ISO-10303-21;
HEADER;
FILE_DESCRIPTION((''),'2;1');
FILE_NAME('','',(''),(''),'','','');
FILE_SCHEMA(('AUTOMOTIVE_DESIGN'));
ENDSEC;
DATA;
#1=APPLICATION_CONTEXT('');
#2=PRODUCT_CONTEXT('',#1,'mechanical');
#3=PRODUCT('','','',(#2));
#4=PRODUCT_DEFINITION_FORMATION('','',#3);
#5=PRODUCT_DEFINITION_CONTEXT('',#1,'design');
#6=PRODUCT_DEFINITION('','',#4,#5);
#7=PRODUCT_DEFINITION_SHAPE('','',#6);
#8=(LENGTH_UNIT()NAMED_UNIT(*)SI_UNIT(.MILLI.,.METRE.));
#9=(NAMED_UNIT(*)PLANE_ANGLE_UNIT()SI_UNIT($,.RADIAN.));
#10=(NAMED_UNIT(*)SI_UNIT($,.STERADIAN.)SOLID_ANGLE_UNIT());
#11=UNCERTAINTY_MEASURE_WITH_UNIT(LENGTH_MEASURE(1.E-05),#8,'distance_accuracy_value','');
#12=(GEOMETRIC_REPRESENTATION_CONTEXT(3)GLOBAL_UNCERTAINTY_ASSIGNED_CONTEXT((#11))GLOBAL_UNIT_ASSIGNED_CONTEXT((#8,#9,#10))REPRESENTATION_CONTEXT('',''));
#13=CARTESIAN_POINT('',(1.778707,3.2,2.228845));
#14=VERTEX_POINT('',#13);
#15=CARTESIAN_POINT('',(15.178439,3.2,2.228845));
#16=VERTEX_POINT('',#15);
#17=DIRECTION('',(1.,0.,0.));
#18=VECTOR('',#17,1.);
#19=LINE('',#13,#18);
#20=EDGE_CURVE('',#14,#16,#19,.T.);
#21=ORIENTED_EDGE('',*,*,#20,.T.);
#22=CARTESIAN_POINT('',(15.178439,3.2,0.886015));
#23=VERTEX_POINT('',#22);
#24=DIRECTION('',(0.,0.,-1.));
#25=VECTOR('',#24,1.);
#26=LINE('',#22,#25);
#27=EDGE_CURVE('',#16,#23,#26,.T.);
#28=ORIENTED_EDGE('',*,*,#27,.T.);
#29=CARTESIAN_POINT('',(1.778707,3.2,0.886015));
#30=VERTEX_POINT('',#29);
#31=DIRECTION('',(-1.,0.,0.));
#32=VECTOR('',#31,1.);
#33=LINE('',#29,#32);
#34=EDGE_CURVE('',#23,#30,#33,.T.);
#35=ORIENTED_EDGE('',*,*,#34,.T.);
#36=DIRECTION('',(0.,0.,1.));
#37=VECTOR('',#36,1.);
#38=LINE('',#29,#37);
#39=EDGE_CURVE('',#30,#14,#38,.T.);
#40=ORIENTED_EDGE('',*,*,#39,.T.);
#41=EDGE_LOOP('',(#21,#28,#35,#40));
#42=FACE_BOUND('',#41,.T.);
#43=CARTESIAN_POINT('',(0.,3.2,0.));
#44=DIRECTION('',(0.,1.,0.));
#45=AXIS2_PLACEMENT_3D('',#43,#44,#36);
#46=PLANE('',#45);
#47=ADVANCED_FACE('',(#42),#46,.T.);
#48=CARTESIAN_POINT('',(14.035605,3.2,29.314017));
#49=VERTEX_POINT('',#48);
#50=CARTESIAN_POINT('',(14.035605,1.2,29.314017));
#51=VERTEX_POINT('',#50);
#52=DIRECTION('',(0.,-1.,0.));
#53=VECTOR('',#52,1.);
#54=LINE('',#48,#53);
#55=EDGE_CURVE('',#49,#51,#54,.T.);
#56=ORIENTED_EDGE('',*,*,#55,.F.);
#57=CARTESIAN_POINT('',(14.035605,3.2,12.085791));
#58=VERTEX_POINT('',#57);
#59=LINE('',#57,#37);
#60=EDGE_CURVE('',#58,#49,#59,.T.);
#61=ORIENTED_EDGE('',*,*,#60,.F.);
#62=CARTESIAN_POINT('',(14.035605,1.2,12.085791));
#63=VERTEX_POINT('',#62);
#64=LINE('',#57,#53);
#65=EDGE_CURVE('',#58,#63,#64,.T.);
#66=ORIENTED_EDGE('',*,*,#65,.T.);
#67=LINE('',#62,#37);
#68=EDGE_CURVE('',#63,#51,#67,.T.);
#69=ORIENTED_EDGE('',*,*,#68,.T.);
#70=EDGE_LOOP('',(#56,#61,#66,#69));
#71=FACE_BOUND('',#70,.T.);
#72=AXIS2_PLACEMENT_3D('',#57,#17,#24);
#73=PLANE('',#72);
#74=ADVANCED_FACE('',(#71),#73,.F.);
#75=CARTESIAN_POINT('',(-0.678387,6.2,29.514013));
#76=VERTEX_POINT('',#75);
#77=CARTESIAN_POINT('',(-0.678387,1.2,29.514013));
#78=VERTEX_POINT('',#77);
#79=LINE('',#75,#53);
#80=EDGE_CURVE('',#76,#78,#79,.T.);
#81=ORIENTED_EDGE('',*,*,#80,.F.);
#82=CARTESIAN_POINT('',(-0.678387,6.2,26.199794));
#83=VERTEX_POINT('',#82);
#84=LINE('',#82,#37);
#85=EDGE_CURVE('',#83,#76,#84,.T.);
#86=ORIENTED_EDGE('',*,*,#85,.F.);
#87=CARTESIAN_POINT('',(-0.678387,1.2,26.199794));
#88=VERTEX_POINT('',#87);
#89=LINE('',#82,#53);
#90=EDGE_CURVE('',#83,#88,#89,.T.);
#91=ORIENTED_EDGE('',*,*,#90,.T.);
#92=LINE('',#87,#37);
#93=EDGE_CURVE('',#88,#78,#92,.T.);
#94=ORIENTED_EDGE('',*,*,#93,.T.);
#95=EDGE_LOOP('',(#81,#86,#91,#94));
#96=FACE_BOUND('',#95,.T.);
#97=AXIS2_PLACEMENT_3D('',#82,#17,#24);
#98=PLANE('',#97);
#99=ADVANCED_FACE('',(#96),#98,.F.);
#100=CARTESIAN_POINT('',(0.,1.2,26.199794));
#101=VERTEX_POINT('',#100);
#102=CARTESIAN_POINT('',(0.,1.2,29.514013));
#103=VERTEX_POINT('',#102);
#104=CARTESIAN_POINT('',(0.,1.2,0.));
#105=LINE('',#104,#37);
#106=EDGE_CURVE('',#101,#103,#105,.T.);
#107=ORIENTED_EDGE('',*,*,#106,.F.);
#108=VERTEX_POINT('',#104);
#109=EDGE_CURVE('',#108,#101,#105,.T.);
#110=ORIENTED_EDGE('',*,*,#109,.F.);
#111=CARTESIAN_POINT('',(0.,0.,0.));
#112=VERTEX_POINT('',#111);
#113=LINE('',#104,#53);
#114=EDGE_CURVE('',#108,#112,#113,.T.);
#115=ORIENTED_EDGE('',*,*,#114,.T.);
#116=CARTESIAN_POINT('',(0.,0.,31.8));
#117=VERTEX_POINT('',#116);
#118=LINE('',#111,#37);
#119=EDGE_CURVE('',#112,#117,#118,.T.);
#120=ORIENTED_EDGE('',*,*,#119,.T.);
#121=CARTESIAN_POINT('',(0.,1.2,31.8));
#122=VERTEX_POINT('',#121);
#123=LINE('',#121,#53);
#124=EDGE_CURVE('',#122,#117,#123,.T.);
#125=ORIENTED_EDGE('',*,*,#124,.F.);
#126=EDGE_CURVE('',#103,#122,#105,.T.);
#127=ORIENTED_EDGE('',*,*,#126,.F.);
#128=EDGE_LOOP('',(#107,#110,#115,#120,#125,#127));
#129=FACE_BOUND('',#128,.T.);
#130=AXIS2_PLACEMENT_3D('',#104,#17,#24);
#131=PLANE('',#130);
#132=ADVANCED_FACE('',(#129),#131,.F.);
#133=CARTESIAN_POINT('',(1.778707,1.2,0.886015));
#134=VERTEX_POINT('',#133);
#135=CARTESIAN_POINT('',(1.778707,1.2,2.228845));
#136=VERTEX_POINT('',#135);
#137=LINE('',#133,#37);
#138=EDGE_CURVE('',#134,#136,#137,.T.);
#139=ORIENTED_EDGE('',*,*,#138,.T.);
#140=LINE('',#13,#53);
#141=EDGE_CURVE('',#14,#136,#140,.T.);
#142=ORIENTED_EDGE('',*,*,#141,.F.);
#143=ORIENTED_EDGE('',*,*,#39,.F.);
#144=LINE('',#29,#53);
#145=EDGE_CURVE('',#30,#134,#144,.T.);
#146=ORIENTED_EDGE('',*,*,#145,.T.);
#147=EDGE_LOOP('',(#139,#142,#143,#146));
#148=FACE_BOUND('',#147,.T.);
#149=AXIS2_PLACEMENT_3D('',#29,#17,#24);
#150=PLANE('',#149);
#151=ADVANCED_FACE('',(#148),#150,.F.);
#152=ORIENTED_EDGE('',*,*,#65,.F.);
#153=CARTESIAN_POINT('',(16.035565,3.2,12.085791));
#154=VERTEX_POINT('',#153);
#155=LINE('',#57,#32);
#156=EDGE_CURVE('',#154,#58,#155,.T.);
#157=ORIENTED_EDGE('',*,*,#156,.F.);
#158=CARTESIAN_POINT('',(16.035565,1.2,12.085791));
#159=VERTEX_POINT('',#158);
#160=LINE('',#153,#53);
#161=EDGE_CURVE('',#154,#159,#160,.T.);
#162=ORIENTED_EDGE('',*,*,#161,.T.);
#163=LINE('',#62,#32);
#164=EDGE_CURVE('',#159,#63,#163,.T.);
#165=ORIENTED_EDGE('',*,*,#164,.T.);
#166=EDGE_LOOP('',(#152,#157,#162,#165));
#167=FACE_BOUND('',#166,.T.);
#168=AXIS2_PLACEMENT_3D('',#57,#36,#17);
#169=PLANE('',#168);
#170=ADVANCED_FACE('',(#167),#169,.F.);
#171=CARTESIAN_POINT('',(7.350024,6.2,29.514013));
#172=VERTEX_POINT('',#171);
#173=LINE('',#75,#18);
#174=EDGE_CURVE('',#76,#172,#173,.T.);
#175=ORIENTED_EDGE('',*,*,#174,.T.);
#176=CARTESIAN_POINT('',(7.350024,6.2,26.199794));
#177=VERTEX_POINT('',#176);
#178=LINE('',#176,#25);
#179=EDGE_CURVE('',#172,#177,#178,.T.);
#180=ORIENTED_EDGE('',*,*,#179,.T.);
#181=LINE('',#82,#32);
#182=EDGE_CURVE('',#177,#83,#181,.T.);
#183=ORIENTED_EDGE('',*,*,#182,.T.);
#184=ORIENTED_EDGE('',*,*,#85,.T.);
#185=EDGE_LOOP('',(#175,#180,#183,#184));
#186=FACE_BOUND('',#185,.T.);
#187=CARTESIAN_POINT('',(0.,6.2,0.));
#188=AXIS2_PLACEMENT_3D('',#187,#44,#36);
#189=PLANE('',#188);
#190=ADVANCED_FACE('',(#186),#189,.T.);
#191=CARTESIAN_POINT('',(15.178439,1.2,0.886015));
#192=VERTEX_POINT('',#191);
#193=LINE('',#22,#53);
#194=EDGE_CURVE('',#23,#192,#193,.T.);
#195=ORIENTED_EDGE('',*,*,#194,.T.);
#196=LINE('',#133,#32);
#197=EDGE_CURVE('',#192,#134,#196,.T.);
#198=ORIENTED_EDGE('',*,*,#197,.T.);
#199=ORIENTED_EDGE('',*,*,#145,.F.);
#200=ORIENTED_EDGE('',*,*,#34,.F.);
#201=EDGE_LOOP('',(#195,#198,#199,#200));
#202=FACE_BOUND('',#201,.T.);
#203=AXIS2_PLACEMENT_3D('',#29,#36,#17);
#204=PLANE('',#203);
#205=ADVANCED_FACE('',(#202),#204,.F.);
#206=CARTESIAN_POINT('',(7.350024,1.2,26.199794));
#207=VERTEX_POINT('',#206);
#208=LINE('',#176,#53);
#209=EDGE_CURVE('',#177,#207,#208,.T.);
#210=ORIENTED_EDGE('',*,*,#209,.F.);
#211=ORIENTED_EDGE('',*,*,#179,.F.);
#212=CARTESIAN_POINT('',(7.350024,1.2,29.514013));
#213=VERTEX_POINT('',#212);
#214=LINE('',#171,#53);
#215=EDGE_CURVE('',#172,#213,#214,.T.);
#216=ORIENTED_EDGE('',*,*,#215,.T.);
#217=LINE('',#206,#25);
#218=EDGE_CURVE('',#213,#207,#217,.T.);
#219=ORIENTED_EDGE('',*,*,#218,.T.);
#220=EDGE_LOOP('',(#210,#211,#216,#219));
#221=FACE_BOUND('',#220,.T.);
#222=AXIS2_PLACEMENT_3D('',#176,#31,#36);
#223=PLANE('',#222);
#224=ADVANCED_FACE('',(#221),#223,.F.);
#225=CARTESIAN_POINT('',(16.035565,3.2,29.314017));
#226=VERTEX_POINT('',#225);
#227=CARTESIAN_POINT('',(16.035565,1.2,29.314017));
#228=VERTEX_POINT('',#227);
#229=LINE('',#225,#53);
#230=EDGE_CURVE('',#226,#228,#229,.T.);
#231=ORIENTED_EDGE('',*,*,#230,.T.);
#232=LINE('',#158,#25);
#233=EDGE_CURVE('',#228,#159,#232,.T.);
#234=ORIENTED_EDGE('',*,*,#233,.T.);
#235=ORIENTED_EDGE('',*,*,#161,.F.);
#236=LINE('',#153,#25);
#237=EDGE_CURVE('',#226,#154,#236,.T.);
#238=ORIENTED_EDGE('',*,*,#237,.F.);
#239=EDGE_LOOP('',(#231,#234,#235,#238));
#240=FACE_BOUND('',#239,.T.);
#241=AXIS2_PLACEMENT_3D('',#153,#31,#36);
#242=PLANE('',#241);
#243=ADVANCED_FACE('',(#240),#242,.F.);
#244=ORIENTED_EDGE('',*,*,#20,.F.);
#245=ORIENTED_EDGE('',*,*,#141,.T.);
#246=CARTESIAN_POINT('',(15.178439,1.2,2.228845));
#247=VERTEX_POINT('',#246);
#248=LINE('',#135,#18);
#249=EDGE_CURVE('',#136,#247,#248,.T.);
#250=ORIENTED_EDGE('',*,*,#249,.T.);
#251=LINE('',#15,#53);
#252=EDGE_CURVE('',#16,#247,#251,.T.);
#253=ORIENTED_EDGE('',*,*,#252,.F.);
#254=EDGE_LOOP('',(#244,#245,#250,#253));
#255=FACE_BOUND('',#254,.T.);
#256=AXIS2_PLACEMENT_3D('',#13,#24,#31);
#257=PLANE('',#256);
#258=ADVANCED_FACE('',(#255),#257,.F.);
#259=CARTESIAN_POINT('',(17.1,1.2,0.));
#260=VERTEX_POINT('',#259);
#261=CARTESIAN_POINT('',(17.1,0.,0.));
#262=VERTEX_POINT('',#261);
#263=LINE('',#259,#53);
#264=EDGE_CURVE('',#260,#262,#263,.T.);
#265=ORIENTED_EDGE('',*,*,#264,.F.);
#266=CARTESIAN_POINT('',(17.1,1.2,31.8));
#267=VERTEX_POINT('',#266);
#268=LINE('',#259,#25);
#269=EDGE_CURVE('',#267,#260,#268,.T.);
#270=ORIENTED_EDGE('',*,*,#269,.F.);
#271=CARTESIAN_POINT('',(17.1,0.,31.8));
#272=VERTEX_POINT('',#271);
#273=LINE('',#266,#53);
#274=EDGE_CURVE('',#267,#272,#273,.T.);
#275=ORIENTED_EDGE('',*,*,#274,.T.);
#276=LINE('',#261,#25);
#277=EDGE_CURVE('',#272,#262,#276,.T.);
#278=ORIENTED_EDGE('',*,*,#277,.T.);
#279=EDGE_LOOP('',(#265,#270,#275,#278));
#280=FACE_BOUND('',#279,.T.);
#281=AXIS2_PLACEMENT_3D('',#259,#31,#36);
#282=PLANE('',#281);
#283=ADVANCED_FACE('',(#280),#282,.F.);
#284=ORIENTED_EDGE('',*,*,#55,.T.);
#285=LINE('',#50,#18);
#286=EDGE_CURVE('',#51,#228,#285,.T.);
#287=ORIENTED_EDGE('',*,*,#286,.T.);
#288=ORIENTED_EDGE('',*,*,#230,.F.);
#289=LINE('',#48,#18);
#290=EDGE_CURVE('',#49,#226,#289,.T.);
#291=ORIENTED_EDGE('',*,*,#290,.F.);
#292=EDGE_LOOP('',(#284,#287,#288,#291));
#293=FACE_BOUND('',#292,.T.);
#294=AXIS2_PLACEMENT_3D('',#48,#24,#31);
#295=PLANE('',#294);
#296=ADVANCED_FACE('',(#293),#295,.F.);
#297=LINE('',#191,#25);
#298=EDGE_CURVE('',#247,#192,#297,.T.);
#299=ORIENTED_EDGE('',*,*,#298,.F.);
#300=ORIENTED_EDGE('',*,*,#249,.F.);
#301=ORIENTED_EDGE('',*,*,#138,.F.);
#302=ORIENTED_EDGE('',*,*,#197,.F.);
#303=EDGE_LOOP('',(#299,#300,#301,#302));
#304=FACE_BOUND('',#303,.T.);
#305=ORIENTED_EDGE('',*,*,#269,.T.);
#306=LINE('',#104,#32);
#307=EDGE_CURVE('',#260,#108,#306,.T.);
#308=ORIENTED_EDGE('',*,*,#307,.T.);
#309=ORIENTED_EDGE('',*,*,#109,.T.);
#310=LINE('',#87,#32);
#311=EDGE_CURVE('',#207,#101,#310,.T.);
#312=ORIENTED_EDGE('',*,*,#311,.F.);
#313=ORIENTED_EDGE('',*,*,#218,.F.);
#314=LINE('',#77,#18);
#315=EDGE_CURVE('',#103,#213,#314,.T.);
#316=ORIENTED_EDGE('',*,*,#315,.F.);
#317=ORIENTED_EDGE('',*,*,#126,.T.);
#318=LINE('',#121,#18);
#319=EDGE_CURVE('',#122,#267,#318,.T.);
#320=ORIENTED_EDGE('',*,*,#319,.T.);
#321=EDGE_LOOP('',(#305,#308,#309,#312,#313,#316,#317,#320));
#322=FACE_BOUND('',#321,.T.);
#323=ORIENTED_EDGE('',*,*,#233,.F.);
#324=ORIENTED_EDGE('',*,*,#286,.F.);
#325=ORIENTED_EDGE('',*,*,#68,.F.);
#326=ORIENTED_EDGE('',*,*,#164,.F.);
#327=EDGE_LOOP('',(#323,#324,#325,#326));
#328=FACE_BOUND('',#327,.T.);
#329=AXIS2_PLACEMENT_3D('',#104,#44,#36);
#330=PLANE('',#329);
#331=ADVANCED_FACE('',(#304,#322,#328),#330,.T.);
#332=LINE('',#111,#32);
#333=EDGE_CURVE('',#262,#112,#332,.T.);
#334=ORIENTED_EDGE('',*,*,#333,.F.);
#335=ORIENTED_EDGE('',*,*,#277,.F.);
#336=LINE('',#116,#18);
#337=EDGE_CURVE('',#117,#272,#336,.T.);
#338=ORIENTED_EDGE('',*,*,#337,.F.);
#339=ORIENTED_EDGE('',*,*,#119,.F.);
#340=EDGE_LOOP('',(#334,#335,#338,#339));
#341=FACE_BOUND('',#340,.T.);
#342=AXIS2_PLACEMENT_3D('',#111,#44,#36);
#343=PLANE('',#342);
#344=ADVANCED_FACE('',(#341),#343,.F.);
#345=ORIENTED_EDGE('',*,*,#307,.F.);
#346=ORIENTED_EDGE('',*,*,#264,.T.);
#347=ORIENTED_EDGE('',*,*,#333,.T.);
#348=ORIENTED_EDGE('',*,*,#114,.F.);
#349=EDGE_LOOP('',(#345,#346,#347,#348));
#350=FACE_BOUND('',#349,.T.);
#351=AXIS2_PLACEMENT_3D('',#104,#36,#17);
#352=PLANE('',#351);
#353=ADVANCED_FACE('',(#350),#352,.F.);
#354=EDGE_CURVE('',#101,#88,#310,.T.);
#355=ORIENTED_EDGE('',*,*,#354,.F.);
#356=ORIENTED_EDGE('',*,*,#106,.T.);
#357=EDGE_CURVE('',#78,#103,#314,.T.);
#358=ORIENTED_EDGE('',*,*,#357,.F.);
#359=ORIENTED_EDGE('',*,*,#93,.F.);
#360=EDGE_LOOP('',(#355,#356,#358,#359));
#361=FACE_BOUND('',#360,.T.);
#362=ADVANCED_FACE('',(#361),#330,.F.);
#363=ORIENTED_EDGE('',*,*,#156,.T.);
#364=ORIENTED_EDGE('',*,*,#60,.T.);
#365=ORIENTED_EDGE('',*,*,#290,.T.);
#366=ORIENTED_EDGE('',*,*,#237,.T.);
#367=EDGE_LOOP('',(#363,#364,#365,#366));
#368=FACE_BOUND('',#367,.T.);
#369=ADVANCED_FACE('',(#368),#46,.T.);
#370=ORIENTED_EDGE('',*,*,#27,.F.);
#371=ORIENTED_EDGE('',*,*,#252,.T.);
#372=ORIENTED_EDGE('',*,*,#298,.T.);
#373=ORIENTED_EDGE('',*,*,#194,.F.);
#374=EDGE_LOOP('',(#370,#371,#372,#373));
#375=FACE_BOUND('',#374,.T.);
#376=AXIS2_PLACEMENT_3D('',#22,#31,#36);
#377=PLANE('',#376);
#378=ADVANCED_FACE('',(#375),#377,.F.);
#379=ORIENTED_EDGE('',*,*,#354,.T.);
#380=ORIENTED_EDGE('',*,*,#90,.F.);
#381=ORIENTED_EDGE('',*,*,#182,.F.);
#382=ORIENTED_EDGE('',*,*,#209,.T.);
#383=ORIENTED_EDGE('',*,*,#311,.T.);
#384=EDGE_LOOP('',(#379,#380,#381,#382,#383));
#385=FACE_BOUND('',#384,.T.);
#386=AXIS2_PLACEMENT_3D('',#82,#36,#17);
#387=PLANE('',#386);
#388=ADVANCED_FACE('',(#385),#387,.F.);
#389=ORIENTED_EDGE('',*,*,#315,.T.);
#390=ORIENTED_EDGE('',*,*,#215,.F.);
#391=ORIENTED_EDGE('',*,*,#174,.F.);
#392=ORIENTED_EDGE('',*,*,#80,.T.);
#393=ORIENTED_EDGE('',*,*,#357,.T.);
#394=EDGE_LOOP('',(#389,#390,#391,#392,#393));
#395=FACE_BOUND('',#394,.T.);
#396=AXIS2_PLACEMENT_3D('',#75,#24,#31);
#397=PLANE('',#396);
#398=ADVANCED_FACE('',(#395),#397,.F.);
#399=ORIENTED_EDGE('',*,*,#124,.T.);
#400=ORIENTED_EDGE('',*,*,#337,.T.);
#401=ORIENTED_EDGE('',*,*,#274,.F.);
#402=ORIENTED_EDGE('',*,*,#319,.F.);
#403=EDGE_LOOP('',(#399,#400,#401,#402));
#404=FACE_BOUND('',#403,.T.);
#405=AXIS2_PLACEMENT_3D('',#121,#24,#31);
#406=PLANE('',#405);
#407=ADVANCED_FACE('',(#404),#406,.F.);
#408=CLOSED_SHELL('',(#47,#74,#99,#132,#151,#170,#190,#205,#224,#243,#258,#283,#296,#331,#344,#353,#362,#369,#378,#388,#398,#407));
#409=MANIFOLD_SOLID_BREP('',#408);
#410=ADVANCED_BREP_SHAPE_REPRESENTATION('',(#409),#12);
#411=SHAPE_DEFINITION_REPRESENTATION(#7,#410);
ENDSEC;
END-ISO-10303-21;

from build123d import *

# Parameters (mm, degrees)
SKETCH1_W           = 17.1
SKETCH1_H           = 31.8
BOSS_EXTRUDE1_DEPTH = 1.2
SKETCH2_W           = 13.399731937
SKETCH2_H           = 1.34283028
SKETCH2_W_2         = 1.999959991
SKETCH2_H_2         = 17.228226777
BOSS_EXTRUDE2_DEPTH = 2
SKETCH3_W           = 8.02841082
SKETCH3_H           = 3.314219413
BOSS_EXTRUDE3_DEPTH = 5


with BuildPart() as part:
    # Sketch1 → Boss-Extrude1 (new body)
    with BuildSketch(Plane(origin=(0, 0, 0), x_dir=(1, 0, 0), z_dir=(0, 1, 0))):
        with Locations((8.55, -15.9)):
            Rectangle(SKETCH1_W, SKETCH1_H)
    extrude(amount=BOSS_EXTRUDE1_DEPTH)

    # Sketch2 → Boss-Extrude2 (add)
    with BuildSketch(Plane(origin=(0, 1.2, 0), x_dir=(1, 0, 0), z_dir=(0, 1, 0))):
        with Locations((8.478572857, -1.557429781)):
            Rectangle(SKETCH2_W, SKETCH2_H)
        with Locations((15.035584542, -20.699903977)):
            Rectangle(SKETCH2_W_2, SKETCH2_H_2)
    extrude(amount=BOSS_EXTRUDE2_DEPTH)

    # Sketch3 → Boss-Extrude3 (add)
    with BuildSketch(Plane(origin=(0, 1.2, 0), x_dir=(1, 0, 0), z_dir=(0, 1, 0))):
        with Locations((3.335818596, -27.856903659)):
            Rectangle(SKETCH3_W, SKETCH3_H)
    extrude(amount=BOSS_EXTRUDE3_DEPTH)


solid = part.part
